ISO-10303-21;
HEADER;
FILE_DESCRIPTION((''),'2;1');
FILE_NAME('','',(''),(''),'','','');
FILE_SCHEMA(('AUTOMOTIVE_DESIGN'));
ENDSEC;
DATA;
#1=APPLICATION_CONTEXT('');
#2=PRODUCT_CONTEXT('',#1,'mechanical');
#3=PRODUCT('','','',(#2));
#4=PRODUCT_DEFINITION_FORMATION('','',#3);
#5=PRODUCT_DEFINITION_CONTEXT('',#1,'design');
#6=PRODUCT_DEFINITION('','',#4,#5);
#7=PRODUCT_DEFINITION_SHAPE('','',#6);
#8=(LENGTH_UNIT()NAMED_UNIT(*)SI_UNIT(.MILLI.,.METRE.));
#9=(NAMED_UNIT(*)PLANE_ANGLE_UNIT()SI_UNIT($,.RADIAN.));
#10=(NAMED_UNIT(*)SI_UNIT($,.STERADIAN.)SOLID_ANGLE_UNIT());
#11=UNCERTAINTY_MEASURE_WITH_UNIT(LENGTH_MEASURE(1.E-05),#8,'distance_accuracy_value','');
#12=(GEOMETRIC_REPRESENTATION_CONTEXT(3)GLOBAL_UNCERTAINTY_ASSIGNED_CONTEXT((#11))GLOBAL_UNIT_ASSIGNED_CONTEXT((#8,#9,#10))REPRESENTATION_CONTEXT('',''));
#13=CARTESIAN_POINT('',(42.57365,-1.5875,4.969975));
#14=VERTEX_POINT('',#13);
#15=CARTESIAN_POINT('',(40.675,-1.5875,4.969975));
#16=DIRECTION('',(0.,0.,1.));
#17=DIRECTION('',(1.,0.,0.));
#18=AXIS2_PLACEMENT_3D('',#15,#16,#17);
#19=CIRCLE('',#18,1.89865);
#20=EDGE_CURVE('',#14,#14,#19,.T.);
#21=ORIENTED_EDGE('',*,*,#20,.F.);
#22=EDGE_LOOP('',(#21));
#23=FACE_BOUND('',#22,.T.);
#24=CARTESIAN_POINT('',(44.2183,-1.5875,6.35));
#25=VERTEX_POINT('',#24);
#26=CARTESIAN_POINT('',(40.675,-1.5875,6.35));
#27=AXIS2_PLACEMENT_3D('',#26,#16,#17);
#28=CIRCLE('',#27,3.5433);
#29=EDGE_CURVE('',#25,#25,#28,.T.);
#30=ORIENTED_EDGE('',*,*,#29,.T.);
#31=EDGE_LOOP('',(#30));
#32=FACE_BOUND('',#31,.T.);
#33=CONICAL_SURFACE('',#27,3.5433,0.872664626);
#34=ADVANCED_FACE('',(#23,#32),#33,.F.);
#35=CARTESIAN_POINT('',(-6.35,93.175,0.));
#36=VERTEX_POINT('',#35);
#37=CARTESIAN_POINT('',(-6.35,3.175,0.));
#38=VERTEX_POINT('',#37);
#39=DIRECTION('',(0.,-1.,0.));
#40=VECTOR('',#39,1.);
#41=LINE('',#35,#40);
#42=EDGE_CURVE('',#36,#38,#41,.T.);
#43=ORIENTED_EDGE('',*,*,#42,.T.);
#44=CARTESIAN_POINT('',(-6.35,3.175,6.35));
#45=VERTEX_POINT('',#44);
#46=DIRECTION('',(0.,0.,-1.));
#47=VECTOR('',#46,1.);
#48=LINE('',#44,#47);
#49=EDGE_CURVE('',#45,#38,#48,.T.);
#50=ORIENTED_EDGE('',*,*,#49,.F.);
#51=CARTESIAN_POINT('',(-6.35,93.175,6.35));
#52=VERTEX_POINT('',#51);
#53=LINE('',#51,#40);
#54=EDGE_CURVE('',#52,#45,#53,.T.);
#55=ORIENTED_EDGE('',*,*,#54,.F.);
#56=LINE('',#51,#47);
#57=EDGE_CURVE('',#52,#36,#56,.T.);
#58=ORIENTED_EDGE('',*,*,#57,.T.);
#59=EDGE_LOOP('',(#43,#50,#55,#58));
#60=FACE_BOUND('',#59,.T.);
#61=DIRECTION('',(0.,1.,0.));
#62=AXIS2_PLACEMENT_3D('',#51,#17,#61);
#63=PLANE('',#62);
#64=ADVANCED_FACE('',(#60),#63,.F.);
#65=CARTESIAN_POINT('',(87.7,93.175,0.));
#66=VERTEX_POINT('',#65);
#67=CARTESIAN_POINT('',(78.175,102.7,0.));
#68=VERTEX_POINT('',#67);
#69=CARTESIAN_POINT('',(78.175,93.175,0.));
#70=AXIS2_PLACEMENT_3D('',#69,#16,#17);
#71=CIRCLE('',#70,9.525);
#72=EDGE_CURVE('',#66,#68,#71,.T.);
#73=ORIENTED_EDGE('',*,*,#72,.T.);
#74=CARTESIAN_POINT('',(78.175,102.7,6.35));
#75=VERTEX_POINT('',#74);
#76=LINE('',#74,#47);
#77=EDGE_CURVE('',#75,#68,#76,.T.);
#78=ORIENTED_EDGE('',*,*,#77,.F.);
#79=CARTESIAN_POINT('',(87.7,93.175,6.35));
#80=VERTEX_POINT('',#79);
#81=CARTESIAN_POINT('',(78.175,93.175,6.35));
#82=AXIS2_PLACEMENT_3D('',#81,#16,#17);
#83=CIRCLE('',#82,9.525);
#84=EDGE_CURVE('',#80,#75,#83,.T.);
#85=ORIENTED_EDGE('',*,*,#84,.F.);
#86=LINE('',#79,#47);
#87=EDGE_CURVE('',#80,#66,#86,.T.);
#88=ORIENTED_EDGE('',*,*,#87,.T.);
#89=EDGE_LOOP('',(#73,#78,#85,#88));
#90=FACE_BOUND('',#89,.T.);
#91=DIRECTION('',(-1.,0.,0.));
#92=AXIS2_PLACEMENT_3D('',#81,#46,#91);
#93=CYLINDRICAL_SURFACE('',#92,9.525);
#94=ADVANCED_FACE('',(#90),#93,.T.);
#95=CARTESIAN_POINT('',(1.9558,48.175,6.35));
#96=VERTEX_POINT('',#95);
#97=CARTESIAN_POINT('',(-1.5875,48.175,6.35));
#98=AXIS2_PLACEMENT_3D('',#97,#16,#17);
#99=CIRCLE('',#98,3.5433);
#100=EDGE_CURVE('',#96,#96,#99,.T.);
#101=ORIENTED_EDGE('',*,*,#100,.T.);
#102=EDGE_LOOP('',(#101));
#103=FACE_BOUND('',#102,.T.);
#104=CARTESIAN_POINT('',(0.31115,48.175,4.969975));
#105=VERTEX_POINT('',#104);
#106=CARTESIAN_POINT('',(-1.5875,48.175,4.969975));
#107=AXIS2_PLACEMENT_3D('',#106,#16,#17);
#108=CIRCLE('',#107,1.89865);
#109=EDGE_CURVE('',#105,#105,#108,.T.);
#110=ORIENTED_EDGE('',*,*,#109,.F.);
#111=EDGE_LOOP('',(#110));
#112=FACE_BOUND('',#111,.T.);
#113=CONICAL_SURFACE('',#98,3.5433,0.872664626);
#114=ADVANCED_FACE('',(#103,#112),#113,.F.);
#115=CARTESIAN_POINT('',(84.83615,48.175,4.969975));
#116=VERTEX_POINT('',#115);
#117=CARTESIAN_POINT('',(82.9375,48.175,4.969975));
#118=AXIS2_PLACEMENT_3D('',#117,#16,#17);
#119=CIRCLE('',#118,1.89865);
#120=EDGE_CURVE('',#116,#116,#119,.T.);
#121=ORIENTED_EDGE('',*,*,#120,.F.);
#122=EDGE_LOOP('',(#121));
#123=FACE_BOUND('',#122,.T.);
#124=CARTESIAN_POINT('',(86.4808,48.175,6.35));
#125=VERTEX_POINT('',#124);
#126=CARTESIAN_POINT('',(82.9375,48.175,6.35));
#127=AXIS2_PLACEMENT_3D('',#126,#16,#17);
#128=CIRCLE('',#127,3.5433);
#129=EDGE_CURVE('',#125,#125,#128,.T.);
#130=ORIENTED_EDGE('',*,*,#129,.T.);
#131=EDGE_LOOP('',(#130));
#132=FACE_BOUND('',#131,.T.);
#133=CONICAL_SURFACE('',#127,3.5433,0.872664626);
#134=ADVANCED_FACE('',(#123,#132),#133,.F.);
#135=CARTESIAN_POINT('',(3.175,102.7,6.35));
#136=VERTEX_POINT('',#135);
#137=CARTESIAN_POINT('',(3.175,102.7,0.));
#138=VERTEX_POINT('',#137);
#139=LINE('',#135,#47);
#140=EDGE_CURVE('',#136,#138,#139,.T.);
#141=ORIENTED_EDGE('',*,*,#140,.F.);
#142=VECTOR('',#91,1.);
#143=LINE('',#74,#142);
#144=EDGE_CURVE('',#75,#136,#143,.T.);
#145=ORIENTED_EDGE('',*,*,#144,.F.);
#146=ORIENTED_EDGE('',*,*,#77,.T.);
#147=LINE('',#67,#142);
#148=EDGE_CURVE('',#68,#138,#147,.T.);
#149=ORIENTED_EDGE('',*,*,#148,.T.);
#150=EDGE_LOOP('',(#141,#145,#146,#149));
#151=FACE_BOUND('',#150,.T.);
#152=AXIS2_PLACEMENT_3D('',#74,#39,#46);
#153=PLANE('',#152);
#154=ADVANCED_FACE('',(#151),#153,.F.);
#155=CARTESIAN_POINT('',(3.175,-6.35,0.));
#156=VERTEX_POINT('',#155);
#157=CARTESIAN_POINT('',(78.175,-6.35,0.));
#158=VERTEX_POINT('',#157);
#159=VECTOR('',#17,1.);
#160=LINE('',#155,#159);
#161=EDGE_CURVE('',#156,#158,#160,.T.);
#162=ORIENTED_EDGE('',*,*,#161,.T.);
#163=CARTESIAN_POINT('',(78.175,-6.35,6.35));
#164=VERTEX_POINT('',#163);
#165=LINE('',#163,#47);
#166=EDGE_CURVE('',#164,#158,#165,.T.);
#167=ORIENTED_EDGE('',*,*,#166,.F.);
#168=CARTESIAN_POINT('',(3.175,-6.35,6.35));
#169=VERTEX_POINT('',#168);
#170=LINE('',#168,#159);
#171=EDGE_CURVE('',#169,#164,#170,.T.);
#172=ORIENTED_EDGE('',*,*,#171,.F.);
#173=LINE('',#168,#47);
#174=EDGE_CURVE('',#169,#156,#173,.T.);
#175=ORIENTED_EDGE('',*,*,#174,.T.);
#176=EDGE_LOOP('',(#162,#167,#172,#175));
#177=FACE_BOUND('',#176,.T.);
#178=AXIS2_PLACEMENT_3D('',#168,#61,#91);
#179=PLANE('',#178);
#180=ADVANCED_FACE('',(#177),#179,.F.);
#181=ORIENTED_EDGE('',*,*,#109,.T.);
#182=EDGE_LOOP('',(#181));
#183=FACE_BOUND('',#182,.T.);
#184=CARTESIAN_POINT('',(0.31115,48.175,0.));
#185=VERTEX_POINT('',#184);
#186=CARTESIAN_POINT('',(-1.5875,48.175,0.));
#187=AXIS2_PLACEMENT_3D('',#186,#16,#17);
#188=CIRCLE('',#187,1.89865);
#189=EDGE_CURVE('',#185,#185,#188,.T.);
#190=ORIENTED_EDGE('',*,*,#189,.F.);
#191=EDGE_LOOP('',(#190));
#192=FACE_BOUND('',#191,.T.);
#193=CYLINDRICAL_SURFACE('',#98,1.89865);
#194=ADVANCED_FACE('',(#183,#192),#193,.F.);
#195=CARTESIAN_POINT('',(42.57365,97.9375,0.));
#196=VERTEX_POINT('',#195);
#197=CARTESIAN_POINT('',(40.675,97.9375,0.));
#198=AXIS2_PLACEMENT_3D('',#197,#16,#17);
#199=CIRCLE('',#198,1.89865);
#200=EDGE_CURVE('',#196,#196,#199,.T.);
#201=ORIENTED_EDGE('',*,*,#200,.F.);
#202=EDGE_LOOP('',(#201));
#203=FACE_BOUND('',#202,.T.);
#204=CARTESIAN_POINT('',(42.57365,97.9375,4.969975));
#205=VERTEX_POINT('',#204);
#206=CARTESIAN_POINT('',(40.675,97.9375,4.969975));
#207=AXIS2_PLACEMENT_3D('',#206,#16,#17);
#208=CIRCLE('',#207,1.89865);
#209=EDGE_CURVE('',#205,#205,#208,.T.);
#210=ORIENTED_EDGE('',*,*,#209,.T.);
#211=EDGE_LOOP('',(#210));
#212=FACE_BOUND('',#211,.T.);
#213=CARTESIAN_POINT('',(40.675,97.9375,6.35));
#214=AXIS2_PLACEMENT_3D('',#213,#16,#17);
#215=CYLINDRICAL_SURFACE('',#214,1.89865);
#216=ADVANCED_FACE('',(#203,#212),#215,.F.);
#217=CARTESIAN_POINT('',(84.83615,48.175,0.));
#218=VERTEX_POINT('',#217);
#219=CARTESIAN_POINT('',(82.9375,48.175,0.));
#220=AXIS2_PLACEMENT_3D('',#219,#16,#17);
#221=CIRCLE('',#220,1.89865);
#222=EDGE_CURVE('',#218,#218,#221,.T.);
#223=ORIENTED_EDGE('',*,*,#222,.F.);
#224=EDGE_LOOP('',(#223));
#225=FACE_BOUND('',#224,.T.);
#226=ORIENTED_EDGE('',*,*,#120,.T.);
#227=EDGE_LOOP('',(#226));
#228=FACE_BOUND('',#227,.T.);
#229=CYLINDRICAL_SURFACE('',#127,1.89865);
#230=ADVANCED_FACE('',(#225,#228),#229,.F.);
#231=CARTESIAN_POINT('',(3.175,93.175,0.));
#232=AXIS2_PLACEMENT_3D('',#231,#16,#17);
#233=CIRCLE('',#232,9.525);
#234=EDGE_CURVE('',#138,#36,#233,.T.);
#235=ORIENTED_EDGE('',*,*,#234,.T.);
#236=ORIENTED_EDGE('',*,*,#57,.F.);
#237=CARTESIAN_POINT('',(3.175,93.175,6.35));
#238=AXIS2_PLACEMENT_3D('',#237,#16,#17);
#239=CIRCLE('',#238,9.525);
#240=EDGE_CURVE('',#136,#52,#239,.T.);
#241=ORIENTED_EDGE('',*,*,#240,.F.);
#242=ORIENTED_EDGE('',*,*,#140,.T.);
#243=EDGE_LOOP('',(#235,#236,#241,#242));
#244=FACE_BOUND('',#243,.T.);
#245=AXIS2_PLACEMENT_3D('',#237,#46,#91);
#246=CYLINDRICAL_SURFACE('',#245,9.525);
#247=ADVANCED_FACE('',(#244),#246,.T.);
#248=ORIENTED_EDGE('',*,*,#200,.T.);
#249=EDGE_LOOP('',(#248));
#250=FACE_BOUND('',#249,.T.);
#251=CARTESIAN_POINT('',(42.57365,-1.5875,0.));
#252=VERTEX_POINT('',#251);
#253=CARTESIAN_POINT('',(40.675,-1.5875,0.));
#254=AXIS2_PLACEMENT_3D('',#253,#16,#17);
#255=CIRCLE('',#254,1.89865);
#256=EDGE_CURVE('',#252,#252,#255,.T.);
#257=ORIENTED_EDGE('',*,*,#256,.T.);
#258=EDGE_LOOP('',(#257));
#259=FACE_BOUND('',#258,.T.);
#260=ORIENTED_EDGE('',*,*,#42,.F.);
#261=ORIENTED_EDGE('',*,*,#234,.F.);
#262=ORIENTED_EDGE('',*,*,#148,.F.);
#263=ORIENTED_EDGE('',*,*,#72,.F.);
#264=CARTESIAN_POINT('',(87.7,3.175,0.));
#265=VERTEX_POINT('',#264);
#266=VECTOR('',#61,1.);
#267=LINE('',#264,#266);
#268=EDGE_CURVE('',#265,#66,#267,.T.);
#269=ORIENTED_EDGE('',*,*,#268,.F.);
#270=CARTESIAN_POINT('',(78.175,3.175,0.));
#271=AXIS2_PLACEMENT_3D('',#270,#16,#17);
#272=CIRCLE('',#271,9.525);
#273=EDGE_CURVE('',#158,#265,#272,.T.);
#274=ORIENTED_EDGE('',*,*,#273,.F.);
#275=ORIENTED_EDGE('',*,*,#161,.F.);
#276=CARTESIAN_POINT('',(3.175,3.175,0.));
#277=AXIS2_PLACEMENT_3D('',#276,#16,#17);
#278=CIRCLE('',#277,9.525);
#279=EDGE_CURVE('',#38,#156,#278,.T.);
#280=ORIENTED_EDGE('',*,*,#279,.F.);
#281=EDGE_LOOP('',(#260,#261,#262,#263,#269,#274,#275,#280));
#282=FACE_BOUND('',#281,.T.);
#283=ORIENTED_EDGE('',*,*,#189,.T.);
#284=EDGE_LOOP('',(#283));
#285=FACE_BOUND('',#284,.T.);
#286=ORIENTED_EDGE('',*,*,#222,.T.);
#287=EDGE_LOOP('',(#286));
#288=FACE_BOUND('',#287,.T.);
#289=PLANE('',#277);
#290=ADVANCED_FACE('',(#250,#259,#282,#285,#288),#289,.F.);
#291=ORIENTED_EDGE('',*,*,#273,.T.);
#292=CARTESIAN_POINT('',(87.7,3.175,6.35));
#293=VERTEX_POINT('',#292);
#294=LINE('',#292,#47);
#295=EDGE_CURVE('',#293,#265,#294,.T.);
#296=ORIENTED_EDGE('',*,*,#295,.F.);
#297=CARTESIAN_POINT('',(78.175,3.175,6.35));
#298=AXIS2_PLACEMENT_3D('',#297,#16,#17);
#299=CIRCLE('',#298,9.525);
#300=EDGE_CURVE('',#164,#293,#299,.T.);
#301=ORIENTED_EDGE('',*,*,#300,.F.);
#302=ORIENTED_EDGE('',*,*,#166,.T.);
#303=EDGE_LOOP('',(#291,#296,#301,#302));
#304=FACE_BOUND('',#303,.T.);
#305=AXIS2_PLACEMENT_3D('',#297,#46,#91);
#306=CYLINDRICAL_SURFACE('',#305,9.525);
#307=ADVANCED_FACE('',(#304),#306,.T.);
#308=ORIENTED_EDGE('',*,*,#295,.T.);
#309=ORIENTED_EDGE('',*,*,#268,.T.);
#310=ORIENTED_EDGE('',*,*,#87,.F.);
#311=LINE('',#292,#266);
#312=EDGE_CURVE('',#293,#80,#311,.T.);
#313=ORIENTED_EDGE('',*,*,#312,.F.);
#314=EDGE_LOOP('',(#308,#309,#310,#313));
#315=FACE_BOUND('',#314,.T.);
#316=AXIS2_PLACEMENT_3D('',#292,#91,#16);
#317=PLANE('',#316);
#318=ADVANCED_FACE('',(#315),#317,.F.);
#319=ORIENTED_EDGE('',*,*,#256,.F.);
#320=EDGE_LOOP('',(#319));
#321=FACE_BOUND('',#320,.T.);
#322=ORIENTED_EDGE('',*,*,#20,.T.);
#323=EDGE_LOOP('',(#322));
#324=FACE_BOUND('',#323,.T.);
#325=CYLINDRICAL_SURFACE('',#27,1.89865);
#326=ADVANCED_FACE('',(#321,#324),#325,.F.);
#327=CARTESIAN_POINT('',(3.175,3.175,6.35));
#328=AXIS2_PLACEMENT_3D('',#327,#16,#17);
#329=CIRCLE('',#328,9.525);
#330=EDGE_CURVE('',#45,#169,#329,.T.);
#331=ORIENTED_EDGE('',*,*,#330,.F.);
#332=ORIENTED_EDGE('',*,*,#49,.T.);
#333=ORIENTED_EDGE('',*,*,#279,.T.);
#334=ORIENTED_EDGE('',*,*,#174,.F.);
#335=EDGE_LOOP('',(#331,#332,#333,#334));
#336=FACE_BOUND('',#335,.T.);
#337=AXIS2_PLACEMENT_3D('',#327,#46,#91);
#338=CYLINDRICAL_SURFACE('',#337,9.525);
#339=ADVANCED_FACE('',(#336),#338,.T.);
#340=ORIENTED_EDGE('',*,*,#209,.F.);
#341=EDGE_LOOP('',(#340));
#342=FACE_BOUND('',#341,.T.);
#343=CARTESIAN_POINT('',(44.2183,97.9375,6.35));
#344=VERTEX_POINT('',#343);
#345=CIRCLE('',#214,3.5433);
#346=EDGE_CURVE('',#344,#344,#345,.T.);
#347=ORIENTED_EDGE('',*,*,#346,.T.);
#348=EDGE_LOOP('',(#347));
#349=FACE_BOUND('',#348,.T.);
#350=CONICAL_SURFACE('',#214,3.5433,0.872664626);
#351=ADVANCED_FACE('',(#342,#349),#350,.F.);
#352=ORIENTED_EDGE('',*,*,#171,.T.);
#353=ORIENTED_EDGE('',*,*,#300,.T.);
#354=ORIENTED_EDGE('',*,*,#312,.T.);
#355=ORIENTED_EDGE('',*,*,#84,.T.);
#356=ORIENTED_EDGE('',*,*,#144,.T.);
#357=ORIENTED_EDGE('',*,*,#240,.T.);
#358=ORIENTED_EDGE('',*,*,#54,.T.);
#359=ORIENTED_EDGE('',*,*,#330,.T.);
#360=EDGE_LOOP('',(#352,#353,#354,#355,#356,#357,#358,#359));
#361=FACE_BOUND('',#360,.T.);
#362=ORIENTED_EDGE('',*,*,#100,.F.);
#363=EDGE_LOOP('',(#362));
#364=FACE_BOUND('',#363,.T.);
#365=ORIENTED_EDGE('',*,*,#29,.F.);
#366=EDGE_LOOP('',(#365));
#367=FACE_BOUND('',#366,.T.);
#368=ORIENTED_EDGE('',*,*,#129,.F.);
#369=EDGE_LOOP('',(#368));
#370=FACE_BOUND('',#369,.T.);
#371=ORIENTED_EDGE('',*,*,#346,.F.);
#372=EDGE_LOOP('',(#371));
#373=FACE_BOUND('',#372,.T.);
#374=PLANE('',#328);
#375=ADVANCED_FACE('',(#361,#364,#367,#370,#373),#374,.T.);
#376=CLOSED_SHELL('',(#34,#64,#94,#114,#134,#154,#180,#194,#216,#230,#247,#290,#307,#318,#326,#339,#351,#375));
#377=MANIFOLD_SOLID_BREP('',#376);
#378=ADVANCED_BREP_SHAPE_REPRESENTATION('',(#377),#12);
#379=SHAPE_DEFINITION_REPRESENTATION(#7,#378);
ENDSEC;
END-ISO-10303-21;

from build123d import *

# Parameters (mm, degrees)
SKETCH1_R                                         = 1.5875
BOSS_EXTRUDE1_DEPTH                               = 6.35
CSK_FOR_6_FLAT_HEAD_MACHINE_SCREW_100_D           = 3.7973
CSK_FOR_6_FLAT_HEAD_MACHINE_SCREW_100_CSINK_D     = 7.0866
CSK_FOR_6_FLAT_HEAD_MACHINE_SCREW_100_CSINK_ANGLE = 100


with BuildPart() as part:
    # Sketch1 → Boss-Extrude1 (new body)
    with BuildSketch(Plane.XY):
        with BuildLine():
            Line((3.175, -6.35), (78.175000114, -6.35))
            ThreePointArc((78.175000114, -6.35), (84.910192205, -3.560192091), (87.700000114, 3.175))
            Line((87.700000114, 3.175), (87.700000114, 93.175000086))
            ThreePointArc((87.700000114, 93.175000086), (84.910192205, 99.910192177), (78.175000114, 102.700000086))
            Line((78.175000114, 102.700000086), (3.175, 102.700000086))
            ThreePointArc((3.175, 102.700000086), (-3.560192091, 99.910192177), (-6.35, 93.175000086))
            Line((-6.35, 93.175000086), (-6.35, 3.175))
            ThreePointArc((-6.35, 3.175), (-3.560192091, -3.560192091), (3.175, -6.35))
        make_face()
        with Locations((-1.5875, 48.175000043)):
            Circle(SKETCH1_R, mode=Mode.SUBTRACT)
        with Locations((40.675000057, -1.5875)):
            Circle(SKETCH1_R, mode=Mode.SUBTRACT)
        with Locations((82.937500114, 48.175000043)):
            Circle(SKETCH1_R, mode=Mode.SUBTRACT)
        with Locations((40.675000057, 97.937500086)):
            Circle(SKETCH1_R, mode=Mode.SUBTRACT)
    extrude(amount=BOSS_EXTRUDE1_DEPTH)

    # CSK for #6 Flat Head Machine Screw (100)1 (through all)
    with Locations(Plane.XY.offset(6.35)):
        with Locations((82.937500114, 48.175000043), (-1.5875, 48.175000043), (40.675000057, -1.5875), (40.675000057, 97.937500086)):
            CounterSinkHole(CSK_FOR_6_FLAT_HEAD_MACHINE_SCREW_100_D / 2, CSK_FOR_6_FLAT_HEAD_MACHINE_SCREW_100_CSINK_D / 2, counter_sink_angle=CSK_FOR_6_FLAT_HEAD_MACHINE_SCREW_100_CSINK_ANGLE)


solid = part.part
